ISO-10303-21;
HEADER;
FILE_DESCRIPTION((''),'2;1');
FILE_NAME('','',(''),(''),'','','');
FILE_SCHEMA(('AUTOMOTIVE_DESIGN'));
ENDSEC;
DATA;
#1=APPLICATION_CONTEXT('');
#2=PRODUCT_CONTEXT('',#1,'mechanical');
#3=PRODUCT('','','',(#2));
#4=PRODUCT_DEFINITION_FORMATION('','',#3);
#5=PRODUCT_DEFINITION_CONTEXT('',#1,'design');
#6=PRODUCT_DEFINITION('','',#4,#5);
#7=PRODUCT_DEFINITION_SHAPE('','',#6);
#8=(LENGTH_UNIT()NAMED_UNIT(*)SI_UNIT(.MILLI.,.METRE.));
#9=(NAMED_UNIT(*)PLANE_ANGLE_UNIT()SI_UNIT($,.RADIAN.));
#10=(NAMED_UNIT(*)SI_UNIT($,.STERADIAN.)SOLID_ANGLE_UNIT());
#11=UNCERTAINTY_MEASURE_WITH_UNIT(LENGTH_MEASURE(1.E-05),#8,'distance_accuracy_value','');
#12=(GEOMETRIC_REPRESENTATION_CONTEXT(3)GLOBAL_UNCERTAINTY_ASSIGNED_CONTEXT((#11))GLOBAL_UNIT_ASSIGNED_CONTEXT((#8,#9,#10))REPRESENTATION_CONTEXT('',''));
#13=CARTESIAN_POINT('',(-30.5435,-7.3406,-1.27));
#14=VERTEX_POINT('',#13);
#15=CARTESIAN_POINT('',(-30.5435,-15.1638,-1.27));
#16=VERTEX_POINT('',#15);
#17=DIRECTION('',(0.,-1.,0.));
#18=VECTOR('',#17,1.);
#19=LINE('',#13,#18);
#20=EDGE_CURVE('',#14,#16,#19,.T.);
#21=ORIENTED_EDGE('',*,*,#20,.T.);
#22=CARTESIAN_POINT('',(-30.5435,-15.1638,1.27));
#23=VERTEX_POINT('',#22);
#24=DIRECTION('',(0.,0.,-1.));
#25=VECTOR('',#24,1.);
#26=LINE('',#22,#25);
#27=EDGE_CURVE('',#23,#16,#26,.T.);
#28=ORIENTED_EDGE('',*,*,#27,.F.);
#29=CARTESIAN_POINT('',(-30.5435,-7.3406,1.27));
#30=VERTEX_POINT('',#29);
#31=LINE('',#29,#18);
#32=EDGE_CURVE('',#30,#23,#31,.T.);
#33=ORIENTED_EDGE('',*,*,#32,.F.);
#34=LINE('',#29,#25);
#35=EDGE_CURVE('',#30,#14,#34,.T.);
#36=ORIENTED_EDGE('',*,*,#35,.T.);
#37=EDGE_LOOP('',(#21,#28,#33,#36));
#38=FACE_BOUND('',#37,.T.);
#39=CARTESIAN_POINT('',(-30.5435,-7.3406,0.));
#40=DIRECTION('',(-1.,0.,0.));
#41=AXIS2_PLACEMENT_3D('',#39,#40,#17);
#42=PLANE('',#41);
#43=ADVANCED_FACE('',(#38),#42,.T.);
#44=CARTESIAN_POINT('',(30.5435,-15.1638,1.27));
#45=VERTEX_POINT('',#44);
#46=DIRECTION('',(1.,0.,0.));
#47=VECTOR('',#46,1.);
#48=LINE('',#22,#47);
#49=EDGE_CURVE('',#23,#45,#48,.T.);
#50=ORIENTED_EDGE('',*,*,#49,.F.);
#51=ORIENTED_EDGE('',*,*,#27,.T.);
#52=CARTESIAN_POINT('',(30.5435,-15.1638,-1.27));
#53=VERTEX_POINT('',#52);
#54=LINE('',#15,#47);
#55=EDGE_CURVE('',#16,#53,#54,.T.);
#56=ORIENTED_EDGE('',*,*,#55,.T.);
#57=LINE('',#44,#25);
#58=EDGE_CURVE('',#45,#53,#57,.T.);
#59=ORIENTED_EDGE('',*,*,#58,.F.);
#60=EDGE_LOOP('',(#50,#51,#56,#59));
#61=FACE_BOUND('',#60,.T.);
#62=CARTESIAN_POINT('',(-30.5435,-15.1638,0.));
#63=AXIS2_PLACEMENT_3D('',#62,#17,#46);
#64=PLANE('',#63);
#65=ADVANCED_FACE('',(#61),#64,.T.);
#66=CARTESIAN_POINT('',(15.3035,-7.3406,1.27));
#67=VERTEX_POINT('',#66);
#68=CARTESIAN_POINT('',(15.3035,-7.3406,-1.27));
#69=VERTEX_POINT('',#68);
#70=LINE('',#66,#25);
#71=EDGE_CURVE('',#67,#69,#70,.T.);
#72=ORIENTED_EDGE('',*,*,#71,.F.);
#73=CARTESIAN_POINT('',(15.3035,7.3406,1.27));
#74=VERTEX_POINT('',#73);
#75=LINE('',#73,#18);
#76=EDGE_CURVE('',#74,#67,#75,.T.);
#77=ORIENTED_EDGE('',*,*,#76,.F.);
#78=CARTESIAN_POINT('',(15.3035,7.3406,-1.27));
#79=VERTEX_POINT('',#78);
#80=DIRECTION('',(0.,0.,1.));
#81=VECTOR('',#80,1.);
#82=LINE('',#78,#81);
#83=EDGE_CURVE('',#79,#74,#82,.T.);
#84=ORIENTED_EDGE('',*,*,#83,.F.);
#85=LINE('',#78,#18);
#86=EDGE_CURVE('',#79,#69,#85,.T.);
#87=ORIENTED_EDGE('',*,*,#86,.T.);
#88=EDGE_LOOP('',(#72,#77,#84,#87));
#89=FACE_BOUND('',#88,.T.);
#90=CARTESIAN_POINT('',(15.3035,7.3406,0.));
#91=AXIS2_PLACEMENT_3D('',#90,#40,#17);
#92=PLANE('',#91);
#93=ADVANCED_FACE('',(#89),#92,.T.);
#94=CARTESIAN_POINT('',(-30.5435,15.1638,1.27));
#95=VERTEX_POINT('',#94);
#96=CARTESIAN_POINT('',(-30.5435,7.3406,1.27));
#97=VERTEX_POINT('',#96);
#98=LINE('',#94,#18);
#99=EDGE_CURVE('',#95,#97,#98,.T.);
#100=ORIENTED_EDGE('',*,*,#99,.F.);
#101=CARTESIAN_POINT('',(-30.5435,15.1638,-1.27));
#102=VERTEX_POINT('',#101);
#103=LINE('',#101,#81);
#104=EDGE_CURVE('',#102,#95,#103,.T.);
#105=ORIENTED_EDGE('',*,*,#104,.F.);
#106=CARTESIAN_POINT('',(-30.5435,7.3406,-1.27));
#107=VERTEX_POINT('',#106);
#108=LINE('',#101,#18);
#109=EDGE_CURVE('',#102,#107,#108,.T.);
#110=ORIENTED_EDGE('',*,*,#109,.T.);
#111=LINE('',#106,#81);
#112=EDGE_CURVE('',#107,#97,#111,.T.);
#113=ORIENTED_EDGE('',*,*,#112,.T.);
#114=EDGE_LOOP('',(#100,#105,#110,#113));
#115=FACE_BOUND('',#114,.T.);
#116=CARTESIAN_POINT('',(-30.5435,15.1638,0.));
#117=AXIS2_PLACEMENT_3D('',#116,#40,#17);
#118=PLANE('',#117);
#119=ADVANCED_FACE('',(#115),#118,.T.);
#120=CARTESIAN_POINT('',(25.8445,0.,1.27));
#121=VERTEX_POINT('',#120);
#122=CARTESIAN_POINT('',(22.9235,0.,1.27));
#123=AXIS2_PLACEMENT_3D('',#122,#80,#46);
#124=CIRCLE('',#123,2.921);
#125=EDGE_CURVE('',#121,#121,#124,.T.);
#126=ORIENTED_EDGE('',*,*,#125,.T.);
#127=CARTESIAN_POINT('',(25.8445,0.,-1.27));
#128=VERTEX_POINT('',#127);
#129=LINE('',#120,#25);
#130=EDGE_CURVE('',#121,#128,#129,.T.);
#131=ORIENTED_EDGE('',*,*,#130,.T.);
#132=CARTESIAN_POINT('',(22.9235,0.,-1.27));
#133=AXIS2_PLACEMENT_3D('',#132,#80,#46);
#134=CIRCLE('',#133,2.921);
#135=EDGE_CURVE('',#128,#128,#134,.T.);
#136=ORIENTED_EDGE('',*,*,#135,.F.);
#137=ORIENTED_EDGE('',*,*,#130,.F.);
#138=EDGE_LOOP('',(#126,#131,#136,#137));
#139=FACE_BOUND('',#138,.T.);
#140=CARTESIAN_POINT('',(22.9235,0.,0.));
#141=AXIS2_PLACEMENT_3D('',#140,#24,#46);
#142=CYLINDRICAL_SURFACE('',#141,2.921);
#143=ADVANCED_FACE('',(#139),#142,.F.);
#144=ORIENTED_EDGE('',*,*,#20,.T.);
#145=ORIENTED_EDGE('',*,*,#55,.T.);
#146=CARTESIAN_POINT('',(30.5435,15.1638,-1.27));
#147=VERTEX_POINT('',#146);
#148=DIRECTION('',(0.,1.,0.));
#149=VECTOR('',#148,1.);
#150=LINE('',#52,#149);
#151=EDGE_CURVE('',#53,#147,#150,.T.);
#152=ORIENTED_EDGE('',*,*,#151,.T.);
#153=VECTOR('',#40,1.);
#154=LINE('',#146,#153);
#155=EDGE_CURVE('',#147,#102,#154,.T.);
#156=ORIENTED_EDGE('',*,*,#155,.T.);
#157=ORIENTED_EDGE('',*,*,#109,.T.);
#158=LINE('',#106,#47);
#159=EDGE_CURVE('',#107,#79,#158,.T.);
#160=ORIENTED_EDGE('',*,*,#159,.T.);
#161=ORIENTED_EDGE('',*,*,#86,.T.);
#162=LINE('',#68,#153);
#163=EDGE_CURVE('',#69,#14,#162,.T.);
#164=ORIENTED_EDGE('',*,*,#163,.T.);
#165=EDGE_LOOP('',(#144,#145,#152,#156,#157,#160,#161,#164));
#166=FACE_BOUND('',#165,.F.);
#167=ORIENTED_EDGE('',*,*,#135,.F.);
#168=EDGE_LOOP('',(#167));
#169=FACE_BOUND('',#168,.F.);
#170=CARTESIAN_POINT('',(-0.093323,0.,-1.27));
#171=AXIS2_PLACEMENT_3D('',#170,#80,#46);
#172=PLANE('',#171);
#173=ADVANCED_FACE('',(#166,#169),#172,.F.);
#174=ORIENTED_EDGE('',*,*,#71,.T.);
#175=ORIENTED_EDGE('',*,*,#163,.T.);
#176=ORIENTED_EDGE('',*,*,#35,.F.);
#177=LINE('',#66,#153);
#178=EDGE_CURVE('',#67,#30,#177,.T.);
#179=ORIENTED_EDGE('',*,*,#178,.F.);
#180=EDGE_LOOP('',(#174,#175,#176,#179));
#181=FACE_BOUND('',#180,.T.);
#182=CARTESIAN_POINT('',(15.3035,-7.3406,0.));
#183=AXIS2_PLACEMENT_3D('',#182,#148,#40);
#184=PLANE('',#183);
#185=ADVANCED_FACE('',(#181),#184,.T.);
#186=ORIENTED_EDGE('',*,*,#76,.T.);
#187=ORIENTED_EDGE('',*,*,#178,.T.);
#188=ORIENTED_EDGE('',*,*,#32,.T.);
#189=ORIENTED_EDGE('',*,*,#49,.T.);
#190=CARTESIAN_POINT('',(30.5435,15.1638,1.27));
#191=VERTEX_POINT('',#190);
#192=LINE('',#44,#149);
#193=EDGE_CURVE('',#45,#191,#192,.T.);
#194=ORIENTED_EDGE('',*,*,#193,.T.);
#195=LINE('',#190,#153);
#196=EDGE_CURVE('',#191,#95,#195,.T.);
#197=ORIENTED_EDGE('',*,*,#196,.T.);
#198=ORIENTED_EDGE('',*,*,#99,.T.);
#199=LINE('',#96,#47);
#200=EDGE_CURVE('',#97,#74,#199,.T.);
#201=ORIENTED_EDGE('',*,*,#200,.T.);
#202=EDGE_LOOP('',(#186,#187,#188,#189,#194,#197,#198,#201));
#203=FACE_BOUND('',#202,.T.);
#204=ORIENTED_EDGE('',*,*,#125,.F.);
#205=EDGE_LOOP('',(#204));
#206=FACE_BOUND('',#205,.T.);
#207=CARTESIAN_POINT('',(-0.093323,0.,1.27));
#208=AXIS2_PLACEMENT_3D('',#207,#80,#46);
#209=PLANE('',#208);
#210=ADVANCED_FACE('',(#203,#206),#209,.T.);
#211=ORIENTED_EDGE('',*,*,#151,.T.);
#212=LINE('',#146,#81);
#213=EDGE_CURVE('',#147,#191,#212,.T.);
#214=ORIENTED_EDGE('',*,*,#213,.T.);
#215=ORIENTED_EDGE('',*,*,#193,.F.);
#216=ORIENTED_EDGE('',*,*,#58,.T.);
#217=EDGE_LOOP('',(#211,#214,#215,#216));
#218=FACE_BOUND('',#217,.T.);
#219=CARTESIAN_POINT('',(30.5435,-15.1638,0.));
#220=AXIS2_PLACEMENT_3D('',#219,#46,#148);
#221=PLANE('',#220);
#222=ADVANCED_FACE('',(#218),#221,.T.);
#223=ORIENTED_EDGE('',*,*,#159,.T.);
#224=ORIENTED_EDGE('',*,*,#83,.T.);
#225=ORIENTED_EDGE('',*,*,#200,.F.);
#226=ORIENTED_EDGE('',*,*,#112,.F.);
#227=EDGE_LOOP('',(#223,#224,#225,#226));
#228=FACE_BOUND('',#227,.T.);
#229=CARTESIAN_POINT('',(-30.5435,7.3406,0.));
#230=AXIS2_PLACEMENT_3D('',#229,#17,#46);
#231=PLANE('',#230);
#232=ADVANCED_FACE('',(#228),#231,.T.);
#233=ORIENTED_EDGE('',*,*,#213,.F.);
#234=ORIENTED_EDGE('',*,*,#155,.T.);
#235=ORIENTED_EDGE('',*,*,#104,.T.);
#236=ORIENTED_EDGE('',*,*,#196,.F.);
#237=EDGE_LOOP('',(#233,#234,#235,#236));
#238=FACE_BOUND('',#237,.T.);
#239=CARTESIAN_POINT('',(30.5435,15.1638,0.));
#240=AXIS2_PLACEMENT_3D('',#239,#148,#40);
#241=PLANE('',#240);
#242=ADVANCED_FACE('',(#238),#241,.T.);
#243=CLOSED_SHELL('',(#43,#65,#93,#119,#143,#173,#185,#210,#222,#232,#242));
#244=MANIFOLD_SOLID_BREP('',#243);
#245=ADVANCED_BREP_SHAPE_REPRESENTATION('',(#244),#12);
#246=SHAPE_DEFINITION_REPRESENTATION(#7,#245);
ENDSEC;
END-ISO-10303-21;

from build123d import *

# Parameters (mm, degrees)
F0_R     = 2.921
F1_DEPTH = 1.27


with BuildPart() as f1:
    # F0 (on Top) → F1 (new body, symmetric)
    with BuildSketch(Plane.XY):
        Polygon((30.5435, -15.1638), (30.5435, 15.1638), (-30.5435, 15.1638), (-30.5435, 7.3406), (15.3035, 7.3406), (15.3035, -7.3406), (-30.5435, -7.3406), (-30.5435, -15.1638), align=None)
        with Locations((22.9235, 0)):
            Circle(F0_R, mode=Mode.SUBTRACT)
    extrude(amount=F1_DEPTH, both=True)


solid = f1.part
